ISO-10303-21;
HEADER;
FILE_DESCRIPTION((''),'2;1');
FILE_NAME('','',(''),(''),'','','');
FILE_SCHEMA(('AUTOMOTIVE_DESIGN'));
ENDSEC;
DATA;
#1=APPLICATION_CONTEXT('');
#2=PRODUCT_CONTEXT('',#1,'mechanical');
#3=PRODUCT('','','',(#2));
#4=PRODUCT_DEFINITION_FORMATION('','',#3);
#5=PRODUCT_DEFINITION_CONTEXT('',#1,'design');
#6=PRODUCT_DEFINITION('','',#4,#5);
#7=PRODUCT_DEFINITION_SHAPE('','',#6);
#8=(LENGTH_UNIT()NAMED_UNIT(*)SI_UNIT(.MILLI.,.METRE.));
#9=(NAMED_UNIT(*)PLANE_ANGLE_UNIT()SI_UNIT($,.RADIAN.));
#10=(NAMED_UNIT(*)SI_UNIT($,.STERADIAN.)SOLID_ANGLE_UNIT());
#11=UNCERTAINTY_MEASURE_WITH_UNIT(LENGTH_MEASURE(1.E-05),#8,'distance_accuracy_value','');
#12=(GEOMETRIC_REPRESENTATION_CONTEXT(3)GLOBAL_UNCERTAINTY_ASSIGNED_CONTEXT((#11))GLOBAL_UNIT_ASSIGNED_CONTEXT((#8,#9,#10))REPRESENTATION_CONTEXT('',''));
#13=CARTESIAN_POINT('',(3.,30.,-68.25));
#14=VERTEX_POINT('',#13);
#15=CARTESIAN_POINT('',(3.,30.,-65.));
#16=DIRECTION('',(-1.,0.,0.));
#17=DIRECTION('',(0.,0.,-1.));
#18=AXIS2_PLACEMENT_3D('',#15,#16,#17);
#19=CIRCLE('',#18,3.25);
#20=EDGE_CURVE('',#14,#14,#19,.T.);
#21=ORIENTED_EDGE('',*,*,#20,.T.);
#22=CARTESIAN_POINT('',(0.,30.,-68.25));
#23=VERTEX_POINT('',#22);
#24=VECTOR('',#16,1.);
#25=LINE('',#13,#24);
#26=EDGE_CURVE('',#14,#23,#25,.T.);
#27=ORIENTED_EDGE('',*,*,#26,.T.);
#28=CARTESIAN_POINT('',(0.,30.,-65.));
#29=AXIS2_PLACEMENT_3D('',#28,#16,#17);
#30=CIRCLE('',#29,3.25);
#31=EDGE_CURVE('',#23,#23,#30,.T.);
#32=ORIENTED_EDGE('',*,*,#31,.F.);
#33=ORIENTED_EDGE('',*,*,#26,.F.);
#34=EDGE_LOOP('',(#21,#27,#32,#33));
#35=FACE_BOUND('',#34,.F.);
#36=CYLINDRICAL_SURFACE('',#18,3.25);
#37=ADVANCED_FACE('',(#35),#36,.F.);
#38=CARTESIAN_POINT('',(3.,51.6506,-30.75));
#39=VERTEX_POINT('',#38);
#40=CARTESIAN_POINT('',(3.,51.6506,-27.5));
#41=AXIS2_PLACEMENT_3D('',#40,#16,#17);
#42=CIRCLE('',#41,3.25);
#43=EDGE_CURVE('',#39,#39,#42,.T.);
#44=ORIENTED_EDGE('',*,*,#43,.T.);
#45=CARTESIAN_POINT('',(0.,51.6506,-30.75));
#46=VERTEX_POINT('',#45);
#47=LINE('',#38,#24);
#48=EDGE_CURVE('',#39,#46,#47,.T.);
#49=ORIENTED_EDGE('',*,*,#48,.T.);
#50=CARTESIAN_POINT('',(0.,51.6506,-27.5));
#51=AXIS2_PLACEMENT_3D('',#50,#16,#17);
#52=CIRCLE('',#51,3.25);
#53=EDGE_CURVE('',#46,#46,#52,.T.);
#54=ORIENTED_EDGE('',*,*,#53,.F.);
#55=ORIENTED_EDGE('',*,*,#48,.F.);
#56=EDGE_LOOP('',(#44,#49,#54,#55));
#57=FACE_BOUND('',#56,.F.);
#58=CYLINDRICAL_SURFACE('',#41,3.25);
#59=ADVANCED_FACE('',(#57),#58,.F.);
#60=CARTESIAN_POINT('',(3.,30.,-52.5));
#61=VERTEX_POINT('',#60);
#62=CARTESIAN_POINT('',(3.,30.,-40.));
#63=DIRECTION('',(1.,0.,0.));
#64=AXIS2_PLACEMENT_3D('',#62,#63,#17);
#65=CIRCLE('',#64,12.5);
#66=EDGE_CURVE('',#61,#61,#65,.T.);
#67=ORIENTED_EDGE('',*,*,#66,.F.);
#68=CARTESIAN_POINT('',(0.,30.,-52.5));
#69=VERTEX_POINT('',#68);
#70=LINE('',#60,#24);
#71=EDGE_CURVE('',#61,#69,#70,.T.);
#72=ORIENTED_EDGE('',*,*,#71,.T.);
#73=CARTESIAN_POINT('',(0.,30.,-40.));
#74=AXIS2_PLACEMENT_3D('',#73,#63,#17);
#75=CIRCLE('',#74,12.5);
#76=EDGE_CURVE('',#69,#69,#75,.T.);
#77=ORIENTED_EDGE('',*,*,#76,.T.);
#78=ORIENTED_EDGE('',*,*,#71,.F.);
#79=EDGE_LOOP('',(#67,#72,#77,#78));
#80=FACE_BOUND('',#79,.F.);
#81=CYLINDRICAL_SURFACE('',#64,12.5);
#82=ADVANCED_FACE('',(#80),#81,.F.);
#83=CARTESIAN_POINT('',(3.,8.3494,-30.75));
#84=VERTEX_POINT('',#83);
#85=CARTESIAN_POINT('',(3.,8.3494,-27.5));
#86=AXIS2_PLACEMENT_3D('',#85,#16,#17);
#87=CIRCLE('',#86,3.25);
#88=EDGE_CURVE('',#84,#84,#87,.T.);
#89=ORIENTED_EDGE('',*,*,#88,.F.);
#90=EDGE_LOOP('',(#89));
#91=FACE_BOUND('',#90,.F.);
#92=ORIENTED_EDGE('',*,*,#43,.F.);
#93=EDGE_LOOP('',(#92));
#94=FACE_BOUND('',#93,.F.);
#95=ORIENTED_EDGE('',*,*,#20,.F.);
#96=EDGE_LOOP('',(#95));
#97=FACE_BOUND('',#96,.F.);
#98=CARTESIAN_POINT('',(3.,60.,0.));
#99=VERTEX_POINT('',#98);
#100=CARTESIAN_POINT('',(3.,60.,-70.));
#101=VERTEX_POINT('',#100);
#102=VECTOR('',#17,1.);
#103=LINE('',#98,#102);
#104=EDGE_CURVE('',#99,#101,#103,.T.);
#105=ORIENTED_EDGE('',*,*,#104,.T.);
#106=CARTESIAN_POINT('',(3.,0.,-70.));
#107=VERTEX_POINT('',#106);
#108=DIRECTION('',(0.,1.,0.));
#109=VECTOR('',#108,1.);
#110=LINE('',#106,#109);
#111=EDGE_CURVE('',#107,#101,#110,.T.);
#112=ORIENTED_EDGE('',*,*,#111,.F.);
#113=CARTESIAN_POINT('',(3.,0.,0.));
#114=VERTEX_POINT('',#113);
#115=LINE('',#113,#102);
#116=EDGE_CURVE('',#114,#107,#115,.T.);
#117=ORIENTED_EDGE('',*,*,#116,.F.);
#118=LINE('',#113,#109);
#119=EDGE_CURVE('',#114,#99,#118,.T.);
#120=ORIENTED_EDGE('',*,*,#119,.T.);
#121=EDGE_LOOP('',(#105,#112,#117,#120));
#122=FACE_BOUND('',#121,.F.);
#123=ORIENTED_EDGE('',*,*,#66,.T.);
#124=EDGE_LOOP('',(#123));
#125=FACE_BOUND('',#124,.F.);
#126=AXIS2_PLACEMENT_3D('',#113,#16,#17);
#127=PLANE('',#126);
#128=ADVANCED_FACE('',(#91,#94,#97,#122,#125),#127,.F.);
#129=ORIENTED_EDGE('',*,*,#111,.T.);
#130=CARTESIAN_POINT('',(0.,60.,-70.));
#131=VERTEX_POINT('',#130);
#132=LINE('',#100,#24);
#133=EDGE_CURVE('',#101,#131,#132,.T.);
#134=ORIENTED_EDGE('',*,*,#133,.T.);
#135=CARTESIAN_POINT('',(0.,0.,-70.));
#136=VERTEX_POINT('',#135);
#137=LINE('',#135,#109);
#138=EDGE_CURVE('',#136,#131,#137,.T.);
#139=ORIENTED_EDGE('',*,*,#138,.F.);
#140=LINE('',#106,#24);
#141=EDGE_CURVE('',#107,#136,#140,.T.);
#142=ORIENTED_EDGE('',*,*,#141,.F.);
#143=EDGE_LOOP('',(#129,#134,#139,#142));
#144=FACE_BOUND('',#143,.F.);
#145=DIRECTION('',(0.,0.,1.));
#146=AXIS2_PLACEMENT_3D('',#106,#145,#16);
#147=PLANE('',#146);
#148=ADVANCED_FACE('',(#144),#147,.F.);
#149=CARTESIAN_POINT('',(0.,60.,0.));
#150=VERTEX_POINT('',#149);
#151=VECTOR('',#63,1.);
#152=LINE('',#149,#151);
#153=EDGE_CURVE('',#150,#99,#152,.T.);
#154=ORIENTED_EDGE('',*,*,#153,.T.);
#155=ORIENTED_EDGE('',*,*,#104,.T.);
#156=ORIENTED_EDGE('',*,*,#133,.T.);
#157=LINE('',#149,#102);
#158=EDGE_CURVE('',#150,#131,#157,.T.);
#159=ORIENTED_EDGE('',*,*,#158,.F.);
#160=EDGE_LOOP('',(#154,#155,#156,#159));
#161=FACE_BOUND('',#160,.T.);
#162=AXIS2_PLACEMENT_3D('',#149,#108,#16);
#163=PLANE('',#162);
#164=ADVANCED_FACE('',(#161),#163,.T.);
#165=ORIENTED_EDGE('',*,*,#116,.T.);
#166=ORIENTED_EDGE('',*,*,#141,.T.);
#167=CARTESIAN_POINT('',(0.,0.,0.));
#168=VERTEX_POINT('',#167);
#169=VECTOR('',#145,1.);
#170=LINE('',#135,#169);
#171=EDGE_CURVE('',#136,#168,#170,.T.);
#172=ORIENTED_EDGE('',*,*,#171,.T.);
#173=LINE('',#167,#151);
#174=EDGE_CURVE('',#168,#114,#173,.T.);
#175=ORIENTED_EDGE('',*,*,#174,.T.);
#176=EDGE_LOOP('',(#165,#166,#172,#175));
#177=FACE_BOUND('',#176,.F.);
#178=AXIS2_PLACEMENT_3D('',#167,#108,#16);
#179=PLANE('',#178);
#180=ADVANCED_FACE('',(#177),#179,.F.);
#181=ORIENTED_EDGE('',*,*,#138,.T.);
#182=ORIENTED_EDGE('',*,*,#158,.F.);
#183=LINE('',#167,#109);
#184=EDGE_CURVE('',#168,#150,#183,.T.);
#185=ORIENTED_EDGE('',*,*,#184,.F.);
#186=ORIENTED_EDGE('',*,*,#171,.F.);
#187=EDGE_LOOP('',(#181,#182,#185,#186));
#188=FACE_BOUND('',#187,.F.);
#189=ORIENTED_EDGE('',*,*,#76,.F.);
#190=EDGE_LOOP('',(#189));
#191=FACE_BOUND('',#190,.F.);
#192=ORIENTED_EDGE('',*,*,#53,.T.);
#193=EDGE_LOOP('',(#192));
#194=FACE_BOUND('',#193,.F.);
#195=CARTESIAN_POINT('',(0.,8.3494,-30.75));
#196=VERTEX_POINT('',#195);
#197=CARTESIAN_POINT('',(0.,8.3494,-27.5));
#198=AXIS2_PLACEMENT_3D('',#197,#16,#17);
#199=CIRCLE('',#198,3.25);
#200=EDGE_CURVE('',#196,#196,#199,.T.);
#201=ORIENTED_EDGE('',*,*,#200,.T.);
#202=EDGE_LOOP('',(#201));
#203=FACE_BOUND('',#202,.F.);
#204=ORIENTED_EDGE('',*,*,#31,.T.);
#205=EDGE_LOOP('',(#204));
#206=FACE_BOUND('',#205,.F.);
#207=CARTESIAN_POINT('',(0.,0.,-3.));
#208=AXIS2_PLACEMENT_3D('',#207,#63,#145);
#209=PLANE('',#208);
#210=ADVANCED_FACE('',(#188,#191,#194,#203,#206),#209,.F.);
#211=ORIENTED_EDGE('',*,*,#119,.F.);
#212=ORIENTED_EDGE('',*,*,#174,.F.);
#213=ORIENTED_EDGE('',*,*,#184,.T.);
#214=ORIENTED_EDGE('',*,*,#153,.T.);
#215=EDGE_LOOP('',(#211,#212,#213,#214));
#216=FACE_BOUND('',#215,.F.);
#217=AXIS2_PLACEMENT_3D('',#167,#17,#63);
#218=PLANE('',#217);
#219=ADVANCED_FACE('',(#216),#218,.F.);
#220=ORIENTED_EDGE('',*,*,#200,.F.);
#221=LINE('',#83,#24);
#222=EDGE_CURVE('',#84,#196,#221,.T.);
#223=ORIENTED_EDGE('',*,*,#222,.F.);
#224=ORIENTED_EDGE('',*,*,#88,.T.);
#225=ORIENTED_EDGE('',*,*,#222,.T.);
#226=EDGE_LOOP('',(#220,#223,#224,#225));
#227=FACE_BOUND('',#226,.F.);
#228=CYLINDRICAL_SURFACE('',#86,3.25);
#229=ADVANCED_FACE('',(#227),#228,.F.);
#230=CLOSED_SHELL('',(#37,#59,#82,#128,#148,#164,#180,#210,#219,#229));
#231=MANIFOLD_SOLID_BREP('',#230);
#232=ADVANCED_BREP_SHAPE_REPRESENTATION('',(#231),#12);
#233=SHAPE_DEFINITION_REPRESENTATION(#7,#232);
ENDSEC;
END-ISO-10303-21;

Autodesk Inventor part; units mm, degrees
ref_plane "YZ Plane" through (0, 0, 0) normal (1, 0, 0) x (0, 1, 0)
ref_plane "XZ Plane" through (0, 0, 0) normal (0, 1, 0) x (-1, 0, 0)
ref_plane "XY Plane" through (0, 0, 0) normal (0, 0, 1) x (1, 0, 0)
sketch "Sketch1" plane through (0, 0, 0) normal (0, 1, 0) x (-1, 0, 0)
  line L0 (0, 0) -> (-3, 0)
  line L1 (-3, 0) -> (-3, -70)
  line L2 (-3, -70) -> (0, -70)
  line L3 (0, -70) -> (0, 0)
  line L4 (0, -3) -> (0, 0)
  dimension "d0" = 3
  dimension "d1" = 70
extrude "Extrusion1" add sketch "Sketch1" along normal blind 60
sketch "Sketch2" plane through (3, 0, -3) normal (1, 0, 0) x (0, 0, -1)
  line L0 (67, 0) -> (-3, 0) projected
  line L1 (-3, 0) -> (37, 0) construction
  line L2 (37, 0) -> (37, 30) construction
  line L3 (37, 30) -> (-3, 30) construction
  line L4 (-3, 30) -> (-3, 0) construction
  circle A0 centre (37, 30) radius 25
  line L5 (37, 30) -> (62, 30) construction
  circle A1 centre (62, 30) radius 3.25
  circle A2 centre (24.5, 51.6506) radius 3.25
  circle A3 centre (24.5, 8.3494) radius 3.25
  circle A4 centre (37, 30) radius 12.5
  dimension "d8" = 50
  dimension "d6" = 30
  dimension "d7" = 40
  dimension "d9" = 6.5
  dimension "d12" = 360
  dimension "d36" = 25
hole "Hole1" at (3, 8.3494, -27.5) at (3, 51.6506, -27.5) at (3, 30, -65) direction (-1, 0, 0) diameter 6.5 depth 10
extrude "Extrusion2" cut sketch "Sketch2" against normal blind 50 contours A4
properties part number "motorbracket"
